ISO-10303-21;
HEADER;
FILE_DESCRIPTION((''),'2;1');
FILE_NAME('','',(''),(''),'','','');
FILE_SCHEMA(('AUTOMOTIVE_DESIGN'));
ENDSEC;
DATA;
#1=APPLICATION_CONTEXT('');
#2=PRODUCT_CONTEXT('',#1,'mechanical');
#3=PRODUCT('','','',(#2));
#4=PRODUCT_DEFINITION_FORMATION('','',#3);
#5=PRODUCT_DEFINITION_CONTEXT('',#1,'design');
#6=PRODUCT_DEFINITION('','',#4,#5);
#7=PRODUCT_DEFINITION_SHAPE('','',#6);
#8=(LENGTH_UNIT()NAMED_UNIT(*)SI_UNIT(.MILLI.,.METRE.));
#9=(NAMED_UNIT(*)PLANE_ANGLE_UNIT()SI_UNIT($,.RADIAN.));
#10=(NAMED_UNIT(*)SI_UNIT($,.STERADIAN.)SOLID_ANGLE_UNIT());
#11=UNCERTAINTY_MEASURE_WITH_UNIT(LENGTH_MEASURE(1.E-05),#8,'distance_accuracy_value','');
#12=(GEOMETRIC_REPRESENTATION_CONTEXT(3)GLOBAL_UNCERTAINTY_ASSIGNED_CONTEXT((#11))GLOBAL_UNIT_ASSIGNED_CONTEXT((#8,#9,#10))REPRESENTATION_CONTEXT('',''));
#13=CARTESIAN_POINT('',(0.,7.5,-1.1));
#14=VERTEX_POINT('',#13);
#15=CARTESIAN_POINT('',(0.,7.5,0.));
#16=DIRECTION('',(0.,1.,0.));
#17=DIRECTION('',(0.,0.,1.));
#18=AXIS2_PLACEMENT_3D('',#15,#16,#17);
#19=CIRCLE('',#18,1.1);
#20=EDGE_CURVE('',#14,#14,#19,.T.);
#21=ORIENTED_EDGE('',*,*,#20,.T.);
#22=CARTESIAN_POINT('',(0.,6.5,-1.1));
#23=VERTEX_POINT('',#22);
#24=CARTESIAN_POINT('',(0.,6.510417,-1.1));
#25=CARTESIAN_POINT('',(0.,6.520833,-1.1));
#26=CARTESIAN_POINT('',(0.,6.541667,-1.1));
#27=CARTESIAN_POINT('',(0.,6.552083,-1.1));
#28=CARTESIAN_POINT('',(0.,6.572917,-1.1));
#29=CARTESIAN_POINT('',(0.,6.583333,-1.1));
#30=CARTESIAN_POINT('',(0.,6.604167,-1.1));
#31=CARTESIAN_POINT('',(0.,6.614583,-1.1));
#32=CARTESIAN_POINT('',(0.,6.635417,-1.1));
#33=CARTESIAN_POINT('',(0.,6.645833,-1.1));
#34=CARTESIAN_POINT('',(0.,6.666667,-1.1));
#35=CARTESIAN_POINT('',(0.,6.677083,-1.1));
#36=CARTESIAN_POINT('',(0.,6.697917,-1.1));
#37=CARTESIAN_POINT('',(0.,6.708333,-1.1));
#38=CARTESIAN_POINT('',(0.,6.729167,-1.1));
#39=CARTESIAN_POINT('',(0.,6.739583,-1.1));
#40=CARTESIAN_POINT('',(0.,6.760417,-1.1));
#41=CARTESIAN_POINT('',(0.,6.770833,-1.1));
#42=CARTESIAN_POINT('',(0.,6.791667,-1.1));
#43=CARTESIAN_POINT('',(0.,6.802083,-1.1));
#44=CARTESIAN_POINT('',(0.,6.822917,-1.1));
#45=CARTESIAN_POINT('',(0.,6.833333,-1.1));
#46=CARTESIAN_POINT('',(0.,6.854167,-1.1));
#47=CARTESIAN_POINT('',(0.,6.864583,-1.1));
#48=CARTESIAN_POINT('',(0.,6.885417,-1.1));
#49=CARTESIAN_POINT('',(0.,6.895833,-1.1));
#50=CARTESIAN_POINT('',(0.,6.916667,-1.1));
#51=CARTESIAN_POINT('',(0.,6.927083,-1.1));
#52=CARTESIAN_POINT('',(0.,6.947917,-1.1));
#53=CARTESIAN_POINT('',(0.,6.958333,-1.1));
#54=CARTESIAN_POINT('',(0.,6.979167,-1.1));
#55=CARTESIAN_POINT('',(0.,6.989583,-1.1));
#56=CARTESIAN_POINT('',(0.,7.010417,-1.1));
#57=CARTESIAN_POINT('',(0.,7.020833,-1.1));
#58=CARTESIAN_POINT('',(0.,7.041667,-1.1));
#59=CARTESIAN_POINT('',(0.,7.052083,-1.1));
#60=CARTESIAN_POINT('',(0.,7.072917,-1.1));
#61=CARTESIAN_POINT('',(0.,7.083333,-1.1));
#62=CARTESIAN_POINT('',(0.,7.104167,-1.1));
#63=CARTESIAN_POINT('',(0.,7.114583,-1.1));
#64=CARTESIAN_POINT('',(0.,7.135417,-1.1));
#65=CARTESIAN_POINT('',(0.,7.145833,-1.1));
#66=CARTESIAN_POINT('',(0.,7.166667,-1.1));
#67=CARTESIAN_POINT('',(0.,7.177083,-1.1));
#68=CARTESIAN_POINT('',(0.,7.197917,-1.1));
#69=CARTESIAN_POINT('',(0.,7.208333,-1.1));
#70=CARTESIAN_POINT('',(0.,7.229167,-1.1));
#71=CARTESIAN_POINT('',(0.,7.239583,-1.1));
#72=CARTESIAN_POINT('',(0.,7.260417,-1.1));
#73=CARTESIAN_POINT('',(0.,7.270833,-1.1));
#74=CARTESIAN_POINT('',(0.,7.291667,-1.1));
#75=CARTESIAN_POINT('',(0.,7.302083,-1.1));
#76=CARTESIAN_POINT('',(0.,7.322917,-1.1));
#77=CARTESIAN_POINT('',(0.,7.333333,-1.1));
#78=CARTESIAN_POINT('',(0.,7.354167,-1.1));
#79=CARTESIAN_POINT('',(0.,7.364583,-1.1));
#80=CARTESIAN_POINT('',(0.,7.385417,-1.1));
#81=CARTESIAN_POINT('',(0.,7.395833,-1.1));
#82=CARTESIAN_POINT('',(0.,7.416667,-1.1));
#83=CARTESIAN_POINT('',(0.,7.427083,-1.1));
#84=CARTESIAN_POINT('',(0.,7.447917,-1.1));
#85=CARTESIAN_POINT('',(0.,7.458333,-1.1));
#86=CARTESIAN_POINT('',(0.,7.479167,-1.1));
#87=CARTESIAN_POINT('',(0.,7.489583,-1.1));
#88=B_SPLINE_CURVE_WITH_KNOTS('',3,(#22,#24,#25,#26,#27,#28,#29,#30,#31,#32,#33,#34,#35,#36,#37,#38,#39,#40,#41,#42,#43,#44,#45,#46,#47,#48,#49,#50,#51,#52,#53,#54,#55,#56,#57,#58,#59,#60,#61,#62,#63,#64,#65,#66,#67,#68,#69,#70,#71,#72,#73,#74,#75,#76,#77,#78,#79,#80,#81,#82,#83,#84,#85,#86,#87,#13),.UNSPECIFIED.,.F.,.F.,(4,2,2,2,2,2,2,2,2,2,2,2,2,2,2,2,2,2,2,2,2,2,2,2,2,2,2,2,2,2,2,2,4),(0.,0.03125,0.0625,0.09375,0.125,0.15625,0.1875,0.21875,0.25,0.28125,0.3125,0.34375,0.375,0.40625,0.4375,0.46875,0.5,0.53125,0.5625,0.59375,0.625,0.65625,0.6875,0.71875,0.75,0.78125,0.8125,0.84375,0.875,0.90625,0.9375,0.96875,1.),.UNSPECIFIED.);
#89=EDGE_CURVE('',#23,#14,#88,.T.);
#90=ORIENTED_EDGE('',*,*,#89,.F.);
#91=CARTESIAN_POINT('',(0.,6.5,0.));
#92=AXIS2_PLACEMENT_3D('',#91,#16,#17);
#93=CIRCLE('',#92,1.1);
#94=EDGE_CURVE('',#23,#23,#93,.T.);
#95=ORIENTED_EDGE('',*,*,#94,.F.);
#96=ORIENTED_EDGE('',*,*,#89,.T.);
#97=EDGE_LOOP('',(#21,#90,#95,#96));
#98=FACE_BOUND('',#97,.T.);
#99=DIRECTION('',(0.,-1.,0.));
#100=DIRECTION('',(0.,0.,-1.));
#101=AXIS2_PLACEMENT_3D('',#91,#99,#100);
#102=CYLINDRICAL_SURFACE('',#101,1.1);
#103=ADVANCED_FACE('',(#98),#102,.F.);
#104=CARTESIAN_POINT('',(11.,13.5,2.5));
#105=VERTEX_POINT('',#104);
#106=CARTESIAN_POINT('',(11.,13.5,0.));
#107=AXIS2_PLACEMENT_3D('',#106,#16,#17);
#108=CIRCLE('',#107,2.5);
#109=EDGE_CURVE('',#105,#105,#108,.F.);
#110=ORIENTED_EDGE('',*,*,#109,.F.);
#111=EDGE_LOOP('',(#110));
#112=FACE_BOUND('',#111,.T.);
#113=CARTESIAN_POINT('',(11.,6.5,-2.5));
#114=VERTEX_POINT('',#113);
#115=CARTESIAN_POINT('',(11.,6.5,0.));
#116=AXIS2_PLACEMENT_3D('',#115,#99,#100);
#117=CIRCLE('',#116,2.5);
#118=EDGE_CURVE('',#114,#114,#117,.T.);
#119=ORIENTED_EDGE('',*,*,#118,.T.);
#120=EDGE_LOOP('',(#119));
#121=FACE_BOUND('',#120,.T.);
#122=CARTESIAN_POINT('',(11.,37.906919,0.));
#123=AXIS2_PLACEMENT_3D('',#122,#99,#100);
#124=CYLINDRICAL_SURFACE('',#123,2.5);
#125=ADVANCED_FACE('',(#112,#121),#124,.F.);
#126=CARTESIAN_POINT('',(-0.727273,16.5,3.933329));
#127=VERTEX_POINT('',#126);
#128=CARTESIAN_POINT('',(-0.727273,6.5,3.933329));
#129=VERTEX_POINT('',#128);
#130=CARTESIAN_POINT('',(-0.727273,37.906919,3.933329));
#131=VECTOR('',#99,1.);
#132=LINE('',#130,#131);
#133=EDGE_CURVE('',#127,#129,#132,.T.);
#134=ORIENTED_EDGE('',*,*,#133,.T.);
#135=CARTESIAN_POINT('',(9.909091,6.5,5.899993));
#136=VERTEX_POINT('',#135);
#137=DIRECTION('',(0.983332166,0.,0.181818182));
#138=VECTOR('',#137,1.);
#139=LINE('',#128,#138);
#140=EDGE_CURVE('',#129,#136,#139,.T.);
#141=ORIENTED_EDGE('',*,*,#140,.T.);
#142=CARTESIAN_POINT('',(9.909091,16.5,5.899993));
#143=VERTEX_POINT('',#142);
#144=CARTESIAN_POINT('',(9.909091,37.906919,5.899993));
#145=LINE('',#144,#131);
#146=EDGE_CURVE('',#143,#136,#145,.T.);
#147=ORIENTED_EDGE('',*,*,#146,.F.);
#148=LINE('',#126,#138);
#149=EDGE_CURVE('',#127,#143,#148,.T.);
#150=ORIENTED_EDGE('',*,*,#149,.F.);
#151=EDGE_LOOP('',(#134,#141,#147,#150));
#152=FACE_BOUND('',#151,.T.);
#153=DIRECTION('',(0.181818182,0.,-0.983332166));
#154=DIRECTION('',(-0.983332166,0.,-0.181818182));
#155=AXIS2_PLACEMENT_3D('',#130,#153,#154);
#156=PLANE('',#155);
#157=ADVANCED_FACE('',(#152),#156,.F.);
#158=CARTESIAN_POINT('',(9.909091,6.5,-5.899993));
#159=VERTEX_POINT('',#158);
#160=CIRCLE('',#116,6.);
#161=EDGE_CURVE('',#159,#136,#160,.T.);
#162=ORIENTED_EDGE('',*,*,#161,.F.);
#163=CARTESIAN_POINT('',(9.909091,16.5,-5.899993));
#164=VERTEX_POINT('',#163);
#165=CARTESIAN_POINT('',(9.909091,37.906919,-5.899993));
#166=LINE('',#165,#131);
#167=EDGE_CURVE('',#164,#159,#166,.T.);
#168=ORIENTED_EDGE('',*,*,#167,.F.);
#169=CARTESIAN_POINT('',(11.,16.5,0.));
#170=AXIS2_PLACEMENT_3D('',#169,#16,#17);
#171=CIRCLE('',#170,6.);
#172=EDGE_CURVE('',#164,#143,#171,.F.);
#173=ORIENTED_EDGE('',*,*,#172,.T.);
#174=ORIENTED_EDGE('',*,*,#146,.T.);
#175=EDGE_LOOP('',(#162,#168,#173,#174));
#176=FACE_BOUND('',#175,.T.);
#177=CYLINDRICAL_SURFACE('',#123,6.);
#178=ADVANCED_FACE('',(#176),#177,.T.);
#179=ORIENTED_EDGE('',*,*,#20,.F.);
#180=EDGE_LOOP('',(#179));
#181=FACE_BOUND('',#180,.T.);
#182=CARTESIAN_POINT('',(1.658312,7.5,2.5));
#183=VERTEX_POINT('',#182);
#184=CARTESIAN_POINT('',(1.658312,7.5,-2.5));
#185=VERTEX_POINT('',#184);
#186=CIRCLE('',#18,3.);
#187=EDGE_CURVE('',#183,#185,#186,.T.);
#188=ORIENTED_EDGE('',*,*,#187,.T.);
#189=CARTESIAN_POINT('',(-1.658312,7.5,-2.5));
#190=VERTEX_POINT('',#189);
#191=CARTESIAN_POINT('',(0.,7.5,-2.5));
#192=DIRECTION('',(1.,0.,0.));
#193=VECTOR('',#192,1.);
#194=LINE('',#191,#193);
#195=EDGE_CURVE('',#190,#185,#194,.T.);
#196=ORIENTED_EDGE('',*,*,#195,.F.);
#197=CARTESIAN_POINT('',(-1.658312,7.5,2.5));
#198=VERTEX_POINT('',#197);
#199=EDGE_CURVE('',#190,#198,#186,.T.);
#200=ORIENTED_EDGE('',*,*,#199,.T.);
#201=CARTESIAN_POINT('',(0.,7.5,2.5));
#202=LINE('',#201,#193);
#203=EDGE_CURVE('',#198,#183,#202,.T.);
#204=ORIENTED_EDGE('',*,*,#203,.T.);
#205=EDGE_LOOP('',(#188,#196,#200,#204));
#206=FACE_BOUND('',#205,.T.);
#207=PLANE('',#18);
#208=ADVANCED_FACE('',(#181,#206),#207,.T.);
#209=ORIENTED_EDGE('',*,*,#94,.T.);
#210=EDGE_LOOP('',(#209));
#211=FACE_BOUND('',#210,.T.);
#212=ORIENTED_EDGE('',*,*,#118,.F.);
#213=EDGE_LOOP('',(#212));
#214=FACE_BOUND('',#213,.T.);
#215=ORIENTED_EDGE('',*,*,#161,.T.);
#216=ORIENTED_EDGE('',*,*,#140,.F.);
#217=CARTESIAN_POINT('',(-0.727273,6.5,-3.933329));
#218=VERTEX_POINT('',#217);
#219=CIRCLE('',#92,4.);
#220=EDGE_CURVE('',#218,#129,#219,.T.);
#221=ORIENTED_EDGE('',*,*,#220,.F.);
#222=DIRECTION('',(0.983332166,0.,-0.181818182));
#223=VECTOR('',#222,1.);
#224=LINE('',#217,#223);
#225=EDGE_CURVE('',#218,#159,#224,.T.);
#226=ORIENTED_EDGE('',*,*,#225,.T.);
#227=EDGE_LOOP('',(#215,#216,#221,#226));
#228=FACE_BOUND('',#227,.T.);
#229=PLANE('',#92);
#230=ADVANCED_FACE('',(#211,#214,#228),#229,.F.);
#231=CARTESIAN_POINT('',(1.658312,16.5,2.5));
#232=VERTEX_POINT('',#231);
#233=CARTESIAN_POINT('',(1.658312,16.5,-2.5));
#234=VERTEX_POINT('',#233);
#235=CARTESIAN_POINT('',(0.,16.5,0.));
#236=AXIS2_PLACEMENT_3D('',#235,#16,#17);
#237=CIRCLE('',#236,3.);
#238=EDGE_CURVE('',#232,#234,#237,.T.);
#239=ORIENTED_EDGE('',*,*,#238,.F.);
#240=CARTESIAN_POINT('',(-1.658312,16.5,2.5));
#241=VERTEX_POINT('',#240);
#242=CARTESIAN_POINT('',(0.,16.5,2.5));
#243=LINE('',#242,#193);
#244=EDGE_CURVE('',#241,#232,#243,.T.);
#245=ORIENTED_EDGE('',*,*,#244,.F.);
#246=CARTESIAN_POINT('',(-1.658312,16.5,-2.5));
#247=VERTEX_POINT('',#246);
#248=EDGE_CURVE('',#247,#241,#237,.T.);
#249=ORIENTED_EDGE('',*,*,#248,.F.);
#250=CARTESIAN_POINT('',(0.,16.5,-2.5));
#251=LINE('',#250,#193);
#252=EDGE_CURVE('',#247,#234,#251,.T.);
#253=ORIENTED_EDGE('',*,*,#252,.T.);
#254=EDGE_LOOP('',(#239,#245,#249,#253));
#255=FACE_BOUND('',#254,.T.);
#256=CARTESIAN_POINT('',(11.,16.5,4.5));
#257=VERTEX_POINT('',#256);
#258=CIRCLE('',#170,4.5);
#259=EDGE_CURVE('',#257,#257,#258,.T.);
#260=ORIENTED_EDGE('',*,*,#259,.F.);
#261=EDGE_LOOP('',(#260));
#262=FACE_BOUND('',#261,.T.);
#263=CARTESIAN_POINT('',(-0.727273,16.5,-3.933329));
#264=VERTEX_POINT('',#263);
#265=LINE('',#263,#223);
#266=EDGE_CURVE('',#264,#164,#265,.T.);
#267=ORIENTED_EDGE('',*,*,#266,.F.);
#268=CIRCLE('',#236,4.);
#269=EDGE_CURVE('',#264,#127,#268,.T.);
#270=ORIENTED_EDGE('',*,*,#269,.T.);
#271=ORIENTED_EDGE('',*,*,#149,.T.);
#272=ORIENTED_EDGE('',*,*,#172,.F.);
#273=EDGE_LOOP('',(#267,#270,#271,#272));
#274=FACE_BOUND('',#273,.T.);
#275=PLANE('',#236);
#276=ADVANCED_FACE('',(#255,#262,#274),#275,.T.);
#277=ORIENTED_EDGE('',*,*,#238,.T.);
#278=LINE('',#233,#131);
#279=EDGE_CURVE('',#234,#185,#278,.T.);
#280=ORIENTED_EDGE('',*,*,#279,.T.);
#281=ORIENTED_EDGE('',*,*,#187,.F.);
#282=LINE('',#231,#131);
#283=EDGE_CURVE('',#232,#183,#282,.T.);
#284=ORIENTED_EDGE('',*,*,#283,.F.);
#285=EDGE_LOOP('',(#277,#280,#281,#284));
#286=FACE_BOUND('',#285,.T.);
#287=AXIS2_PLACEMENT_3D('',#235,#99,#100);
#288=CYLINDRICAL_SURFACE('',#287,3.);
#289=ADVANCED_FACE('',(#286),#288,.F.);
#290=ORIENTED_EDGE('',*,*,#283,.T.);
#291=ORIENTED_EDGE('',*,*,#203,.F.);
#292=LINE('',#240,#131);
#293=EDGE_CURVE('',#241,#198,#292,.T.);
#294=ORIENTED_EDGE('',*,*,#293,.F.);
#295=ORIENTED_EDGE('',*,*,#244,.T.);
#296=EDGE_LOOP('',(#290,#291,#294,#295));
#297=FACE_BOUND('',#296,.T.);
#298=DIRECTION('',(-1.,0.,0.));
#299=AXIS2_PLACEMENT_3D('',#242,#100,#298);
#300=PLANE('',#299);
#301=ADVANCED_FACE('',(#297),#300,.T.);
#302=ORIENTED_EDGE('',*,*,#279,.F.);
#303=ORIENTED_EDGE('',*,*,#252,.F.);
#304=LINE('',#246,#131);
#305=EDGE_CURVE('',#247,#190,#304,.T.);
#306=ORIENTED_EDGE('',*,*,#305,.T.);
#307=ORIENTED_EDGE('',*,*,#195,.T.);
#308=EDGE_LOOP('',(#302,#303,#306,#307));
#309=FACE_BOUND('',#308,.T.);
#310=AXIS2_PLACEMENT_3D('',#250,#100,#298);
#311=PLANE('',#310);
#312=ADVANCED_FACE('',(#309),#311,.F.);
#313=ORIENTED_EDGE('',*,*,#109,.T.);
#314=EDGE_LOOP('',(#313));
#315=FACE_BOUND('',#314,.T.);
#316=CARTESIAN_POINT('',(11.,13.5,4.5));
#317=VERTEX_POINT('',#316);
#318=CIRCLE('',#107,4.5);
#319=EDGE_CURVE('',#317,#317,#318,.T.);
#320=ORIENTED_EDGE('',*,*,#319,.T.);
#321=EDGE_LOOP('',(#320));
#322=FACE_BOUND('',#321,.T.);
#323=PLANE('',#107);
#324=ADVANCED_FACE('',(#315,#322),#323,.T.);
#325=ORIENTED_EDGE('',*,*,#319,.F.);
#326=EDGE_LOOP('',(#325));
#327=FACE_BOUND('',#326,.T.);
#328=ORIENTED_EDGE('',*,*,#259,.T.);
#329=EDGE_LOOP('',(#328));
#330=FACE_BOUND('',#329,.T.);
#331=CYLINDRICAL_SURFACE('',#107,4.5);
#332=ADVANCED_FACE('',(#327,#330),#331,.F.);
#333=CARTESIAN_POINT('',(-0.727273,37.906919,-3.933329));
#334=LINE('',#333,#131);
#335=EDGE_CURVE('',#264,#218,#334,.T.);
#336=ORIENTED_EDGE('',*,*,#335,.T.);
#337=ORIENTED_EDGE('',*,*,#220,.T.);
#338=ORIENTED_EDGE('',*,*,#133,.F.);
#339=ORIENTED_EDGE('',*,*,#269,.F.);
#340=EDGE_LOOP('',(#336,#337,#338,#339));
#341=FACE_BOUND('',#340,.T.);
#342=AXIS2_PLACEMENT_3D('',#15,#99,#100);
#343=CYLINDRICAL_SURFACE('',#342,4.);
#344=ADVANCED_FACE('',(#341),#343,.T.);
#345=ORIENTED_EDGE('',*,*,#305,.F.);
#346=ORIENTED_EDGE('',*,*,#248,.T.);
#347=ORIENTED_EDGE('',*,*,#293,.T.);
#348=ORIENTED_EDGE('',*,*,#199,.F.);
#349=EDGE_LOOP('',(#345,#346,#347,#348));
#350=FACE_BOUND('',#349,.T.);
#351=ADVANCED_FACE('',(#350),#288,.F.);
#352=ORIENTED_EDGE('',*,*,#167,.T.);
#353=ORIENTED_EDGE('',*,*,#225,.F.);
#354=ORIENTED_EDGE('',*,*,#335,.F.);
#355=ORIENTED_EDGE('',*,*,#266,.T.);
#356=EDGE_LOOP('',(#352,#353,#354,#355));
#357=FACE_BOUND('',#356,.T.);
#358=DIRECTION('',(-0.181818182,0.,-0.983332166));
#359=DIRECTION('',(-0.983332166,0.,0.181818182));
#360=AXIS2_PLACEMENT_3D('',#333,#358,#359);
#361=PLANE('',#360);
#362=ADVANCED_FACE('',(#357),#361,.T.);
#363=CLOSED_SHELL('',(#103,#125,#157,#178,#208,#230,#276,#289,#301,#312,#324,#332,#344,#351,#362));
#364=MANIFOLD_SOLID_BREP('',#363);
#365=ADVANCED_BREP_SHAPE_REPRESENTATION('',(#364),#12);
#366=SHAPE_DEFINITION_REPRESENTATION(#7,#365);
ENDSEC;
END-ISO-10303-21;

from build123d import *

# Parameters (mm, degrees)
SKETCH_1_R          = 1.5
SKETCH_1_R_2        = 1.1
EXTRUDE_1_DEPTH     = 6.5
SKETCH_2_R          = 4
SKETCH_2_R_2        = 1.1
EXTRUDE_2_DEPTH     = 1
EXTRUDE_3_DEPTH     = 9
SKETCH_4_R          = 2.5
EXTRUDE_4_DEPTH     = 10
SKETCH_5_R          = 4.5
CUT_EXTRUDE_1_DEPTH = 3
SKETCH_6_R          = 1.5
CUT_EXTRUDE_3_DEPTH = 6.5


with BuildPart() as part:
    # Эскиз1 → Бобышка-Вытянуть1 (new body)
    with BuildSketch(Plane(origin=(0, 0, 0), x_dir=(1, 0, 0), z_dir=(0, 1, 0))):
        with Locations(Location((0, 0, 0), (0, 0, 90))):
            Circle(SKETCH_1_R)
        with Locations(Location((0, 0, 0), (0, 0, 90))):
            Circle(SKETCH_1_R_2, mode=Mode.SUBTRACT)
    extrude(amount=EXTRUDE_1_DEPTH)

    # Эскиз2 → Бобышка-Вытянуть2 (add)
    with BuildSketch(Plane(origin=(0, 6.5, 0), x_dir=(1, 0, 0), z_dir=(0, 1, 0))):
        with Locations(Location((0, 0, 0), (0, 0, 270))):
            Circle(SKETCH_2_R)
        with Locations(Location((0, 0, 0), (0, 0, 90))):
            Circle(SKETCH_2_R_2, mode=Mode.SUBTRACT)
    extrude(amount=EXTRUDE_2_DEPTH)

    # Эскиз3 → Бобышка-Вытянуть3 (add)
    with BuildSketch(Plane(origin=(0, 7.5, 0), x_dir=(1, 0, 0), z_dir=(0, 1, 0))):
        with BuildLine():
            ThreePointArc((-3, 0), (-2.643382037, 1.418637165), (-1.658312395, 2.5))
            ThreePointArc((-1.658312395, 2.5), (0, 3), (1.658312395, 2.5))
            ThreePointArc((1.658312395, 2.5), (2.643382037, 1.418637165), (3, 0))
            Line((3, 0), (4, 0))
            ThreePointArc((4, 0), (0, 4), (-4, 0))
            Line((-4, 0), (-3, 0))
        make_face()
        with BuildLine():
            ThreePointArc((-1.658312395, -2.5), (-2.643382037, -1.418637165), (-3, 0))
            Line((-3, 0), (-4, 0))
            ThreePointArc((-4, 0), (0, -4), (4, 0))
            Line((4, 0), (3, 0))
            ThreePointArc((3, 0), (2.643382037, -1.418637165), (1.658312395, -2.5))
            ThreePointArc((1.658312395, -2.5), (0, -3), (-1.658312395, -2.5))
        make_face()
        with BuildLine():
            ThreePointArc((1.658312395, 2.5), (0, 3), (-1.658312395, 2.5))
            Line((-1.658312395, 2.5), (1.658312395, 2.5))
        make_face()
        with BuildLine():
            Line((1.658312395, -2.5), (-1.658312395, -2.5))
            ThreePointArc((-1.658312395, -2.5), (0, -3), (1.658312395, -2.5))
        make_face()
    extrude(amount=EXTRUDE_3_DEPTH)

    # Эскиз4 → Бобышка-Вытянуть4 (add)
    with BuildSketch(Plane.XZ.offset(-6.5)):
        with BuildLine():
            ThreePointArc((-0.727272727, 3.933328664), (4, 0), (-0.727272727, -3.933328664))
            Line((-0.727272727, -3.933328664), (9.909090909, -5.899992996))
            ThreePointArc((9.909090909, -5.899992996), (17, 0), (9.909090909, 5.899992996))
            Line((9.909090909, 5.899992996), (-0.727272727, 3.933328664))
        make_face()
        with Locations(Location((11, 0, 0), (0, 0, 270))):
            Circle(SKETCH_4_R, mode=Mode.SUBTRACT)
    extrude(amount=-EXTRUDE_4_DEPTH)

    # Эскиз5 → Вырез-Вытянуть1 (cut)
    with BuildSketch(Plane(origin=(0, 16.5, 0), x_dir=(1, 0, 0), z_dir=(0, 1, 0))):
        with Locations(Location((11, 0, 0), (0, 0, 270))):
            Circle(SKETCH_5_R)
    extrude(amount=-CUT_EXTRUDE_1_DEPTH, mode=Mode.SUBTRACT)

    # Эскиз6 → Вырез-Вытянуть3 (cut)
    with BuildSketch(Plane.XZ):
        Circle(SKETCH_6_R)
    extrude(amount=-CUT_EXTRUDE_3_DEPTH, mode=Mode.SUBTRACT)


solid = part.part
